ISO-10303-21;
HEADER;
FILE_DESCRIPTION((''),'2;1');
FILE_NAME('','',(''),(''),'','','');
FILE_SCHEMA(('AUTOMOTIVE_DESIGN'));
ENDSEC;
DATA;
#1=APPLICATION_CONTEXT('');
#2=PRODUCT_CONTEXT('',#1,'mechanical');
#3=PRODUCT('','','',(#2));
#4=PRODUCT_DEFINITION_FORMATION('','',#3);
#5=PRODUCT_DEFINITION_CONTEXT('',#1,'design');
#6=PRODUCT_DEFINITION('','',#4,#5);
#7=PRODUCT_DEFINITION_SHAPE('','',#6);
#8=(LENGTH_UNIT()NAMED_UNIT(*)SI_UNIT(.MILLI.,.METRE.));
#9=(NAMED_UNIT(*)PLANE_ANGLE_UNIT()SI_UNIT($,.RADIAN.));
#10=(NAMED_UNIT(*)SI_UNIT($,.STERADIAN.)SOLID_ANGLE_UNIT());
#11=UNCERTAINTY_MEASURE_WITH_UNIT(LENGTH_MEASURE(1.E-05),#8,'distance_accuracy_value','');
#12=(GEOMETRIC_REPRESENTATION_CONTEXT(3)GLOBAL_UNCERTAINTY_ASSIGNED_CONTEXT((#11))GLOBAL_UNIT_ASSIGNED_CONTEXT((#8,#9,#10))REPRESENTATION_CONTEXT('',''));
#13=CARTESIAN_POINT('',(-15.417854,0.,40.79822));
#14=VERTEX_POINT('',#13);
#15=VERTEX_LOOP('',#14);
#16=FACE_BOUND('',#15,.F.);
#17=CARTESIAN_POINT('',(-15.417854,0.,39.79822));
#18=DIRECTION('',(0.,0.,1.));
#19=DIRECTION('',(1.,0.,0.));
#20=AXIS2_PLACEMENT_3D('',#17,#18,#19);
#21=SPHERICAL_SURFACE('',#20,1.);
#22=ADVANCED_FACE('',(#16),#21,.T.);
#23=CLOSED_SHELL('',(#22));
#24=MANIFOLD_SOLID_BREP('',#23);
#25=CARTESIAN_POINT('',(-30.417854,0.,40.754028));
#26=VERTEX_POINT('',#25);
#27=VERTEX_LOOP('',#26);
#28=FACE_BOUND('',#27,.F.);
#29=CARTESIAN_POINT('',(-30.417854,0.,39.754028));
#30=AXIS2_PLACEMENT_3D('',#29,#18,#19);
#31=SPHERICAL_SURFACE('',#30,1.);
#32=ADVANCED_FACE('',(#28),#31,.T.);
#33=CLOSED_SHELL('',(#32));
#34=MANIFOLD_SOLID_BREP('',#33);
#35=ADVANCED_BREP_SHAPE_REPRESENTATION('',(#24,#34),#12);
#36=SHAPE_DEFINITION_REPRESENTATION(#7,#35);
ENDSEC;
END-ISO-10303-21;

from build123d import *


with BuildPart() as f1:
    # F0 (on Front) → F1 (revolve)
    with BuildSketch(Plane.XZ):
        with BuildLine():
            ThreePointArc((-30.417854, 38.754028), (-29.417854, 39.754028), (-30.417854, 40.754028))
            Line((-30.417854, 40.754028), (-30.417854, 38.754028))
        make_face()
    revolve(axis=Axis((-30.417854, 0, 39.754028), (0, 0, -1)))


with BuildPart() as f2:
    # F0 (on Front) → F2 (revolve)
    with BuildSketch(Plane.XZ):
        with BuildLine():
            ThreePointArc((-15.417854, 38.79822), (-14.417854, 39.79822), (-15.417854, 40.79822))
            Line((-15.417854, 40.79822), (-15.417854, 38.79822))
        make_face()
    revolve(axis=Axis((-15.417854, 0, 39.79822), (0, 0, -1)))


solid = Compound([f1.part, f2.part])
